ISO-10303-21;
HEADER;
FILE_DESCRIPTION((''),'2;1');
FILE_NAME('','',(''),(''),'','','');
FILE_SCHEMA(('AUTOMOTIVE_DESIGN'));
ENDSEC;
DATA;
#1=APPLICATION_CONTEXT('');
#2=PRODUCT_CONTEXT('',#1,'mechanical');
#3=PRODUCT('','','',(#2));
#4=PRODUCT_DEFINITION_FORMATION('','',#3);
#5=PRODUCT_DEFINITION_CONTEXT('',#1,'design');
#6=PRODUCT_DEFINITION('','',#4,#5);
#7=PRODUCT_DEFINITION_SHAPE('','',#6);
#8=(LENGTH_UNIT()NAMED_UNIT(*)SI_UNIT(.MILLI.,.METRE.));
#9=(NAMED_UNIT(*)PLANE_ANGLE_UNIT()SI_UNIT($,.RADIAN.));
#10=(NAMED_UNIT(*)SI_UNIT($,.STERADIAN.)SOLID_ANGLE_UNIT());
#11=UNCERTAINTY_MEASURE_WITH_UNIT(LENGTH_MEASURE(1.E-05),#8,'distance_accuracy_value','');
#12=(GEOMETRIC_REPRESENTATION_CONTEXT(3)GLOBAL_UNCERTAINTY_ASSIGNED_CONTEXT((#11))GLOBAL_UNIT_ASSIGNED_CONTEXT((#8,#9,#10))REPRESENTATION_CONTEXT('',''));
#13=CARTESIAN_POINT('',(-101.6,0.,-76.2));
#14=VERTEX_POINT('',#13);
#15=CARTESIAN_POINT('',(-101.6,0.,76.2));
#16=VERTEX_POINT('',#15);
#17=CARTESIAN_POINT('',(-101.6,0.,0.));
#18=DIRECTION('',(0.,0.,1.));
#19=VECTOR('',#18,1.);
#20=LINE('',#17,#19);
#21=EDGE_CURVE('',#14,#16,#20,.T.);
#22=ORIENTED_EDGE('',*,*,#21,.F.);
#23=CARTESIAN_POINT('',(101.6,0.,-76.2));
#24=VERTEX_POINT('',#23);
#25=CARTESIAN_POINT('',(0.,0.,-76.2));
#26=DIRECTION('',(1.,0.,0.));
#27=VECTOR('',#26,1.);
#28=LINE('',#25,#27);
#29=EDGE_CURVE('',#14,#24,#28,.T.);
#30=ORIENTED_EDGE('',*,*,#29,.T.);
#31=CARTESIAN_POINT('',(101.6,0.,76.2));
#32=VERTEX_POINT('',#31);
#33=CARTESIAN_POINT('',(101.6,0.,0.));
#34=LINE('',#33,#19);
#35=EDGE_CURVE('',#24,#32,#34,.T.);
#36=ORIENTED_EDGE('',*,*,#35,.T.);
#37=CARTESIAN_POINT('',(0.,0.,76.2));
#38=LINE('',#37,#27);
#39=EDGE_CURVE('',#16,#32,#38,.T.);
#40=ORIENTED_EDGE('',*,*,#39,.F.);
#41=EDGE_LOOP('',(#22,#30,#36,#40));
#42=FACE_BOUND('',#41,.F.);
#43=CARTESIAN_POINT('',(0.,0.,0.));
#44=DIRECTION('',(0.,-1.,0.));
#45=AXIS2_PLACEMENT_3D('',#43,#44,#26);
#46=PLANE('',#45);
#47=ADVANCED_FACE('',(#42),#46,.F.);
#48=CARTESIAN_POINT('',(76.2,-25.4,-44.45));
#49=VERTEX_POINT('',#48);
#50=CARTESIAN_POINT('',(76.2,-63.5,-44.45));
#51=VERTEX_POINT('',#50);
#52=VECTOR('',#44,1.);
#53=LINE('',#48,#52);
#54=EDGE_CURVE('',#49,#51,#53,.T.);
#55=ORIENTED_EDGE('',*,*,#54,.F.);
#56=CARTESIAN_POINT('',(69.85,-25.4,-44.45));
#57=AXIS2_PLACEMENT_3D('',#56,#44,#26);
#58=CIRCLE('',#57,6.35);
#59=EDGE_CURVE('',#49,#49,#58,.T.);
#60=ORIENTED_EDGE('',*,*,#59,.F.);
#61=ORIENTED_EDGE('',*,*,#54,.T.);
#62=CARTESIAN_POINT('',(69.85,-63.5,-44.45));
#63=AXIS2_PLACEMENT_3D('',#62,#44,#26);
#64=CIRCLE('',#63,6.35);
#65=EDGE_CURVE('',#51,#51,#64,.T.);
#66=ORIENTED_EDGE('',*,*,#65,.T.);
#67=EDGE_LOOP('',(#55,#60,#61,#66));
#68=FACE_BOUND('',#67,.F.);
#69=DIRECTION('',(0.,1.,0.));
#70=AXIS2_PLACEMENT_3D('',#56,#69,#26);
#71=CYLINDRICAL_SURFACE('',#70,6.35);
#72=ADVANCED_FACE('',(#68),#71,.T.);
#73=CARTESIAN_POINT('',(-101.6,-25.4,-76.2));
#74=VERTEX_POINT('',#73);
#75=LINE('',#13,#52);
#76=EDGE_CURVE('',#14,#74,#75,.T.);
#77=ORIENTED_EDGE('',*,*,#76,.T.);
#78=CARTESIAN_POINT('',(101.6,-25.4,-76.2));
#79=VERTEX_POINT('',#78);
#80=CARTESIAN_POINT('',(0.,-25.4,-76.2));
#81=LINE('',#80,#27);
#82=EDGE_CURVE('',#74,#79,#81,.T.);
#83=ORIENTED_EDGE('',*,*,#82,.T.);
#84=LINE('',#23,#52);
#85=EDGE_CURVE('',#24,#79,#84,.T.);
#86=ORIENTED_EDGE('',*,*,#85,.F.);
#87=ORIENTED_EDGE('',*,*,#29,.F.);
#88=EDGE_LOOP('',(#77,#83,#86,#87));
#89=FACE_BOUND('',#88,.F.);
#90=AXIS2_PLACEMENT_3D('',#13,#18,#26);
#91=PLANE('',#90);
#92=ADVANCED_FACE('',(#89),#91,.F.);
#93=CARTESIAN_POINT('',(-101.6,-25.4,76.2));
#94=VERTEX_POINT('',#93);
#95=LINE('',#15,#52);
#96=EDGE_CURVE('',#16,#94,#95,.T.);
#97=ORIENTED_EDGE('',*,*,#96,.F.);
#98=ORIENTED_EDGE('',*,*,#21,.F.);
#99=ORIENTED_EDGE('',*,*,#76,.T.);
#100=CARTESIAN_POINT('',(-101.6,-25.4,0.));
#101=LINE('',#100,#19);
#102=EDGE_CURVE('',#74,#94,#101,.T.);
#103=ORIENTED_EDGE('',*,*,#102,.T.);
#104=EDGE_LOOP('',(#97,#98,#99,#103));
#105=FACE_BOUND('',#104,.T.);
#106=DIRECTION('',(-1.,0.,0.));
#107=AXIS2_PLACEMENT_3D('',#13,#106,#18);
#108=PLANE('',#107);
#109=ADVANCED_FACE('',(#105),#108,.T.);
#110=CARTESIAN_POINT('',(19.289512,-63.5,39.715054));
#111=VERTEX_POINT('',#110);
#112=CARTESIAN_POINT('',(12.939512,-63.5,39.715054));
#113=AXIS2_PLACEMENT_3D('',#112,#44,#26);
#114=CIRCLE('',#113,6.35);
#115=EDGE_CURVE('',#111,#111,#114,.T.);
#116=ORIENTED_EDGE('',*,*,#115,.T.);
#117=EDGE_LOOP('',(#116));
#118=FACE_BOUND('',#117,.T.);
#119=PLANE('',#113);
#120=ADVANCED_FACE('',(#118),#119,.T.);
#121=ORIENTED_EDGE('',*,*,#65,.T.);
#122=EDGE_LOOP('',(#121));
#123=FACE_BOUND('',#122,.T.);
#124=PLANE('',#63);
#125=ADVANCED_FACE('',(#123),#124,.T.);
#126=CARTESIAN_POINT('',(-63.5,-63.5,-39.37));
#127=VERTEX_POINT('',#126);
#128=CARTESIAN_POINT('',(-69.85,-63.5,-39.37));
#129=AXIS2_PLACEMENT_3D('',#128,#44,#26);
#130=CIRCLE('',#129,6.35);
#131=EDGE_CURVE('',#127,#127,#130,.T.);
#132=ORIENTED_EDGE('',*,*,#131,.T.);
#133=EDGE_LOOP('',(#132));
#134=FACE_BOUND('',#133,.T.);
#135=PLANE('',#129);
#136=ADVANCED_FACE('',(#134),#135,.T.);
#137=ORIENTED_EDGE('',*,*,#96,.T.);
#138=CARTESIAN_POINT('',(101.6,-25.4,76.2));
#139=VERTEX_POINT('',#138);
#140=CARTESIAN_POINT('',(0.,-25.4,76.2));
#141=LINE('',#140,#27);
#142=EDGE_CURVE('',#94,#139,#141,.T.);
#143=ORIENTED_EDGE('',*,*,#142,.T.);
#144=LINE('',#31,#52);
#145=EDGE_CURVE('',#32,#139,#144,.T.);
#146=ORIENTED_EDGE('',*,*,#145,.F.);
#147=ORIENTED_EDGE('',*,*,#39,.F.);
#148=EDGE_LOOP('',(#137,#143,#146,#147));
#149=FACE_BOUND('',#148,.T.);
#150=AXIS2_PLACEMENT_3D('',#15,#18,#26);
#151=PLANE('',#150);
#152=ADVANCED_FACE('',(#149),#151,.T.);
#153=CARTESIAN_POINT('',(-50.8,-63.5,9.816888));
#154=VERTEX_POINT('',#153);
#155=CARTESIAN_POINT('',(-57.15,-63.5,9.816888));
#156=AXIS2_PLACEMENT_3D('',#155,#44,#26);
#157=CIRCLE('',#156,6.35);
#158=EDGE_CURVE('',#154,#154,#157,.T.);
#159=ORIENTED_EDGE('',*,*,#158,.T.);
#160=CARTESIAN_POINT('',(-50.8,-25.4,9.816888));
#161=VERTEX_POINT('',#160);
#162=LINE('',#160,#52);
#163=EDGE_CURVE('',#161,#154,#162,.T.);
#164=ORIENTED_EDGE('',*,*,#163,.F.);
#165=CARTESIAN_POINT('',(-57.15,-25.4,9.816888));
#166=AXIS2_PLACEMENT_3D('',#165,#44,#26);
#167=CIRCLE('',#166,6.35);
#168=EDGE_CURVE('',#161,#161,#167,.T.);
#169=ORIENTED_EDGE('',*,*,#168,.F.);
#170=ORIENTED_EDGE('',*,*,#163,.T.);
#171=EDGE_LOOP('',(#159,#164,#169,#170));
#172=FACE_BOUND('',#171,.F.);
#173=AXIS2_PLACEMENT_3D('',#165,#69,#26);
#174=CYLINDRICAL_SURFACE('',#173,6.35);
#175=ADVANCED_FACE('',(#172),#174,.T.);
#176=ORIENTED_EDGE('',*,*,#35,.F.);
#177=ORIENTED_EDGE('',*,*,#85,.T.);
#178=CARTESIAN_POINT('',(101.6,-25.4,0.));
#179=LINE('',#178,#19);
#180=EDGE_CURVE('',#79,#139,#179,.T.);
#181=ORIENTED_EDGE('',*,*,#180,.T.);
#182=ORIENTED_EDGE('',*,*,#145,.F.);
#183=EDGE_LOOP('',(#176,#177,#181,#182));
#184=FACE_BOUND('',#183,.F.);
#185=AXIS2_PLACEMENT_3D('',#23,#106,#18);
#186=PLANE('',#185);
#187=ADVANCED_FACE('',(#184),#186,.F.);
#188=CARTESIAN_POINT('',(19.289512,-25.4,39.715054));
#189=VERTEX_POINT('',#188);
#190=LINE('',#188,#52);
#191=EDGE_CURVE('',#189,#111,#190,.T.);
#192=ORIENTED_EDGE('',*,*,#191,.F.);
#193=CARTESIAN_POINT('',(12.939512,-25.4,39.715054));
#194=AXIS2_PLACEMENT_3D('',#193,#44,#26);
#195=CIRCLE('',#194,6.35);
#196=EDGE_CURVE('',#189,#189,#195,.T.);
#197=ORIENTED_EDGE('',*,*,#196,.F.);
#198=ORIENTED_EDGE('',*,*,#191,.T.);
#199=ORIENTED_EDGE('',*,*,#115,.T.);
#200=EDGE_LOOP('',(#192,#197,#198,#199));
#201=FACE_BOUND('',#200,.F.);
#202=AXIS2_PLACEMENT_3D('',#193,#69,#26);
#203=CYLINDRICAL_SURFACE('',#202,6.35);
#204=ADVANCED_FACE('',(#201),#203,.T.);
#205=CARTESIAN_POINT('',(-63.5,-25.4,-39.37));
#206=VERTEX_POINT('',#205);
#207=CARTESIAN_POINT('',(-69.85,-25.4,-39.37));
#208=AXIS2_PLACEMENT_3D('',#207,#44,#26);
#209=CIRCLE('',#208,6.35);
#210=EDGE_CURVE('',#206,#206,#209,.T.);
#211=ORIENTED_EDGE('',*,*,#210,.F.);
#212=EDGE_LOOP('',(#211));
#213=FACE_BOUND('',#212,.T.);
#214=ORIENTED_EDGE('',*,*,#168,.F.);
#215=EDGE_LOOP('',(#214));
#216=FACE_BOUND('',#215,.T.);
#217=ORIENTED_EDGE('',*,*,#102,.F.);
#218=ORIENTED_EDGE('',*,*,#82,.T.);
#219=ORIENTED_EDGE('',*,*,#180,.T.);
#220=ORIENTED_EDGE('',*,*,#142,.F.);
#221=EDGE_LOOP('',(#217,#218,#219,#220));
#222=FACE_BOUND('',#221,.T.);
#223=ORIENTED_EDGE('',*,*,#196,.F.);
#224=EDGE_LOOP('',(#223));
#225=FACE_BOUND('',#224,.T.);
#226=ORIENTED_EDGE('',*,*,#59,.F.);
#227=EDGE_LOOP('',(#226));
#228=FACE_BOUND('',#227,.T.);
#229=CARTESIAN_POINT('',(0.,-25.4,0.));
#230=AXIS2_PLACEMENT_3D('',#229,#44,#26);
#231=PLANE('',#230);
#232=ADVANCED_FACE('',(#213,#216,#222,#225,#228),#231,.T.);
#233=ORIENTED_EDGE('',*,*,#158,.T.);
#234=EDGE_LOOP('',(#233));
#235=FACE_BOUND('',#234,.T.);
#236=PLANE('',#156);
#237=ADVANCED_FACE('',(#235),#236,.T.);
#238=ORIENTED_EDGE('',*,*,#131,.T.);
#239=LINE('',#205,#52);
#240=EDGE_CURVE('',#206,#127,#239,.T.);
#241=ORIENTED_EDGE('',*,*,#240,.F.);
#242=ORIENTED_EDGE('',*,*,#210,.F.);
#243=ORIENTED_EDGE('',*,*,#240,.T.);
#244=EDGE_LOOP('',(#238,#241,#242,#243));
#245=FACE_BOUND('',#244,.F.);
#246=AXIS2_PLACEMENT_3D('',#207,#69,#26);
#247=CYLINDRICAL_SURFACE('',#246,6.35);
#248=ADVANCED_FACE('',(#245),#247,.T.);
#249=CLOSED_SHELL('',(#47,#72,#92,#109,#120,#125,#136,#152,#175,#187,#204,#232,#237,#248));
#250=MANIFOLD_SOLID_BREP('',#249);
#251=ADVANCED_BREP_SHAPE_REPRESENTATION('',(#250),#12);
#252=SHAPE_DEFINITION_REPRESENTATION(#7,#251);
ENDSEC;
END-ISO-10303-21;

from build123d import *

# Parameters (mm, degrees)
F0_W     = 203.2
F0_H     = 152.4
F1_DEPTH = 25.4
F2_R     = 6.35
F3_DEPTH = 38.1


with BuildPart() as f1:
    # F0 (on Front) → F1 (new body)
    with BuildSketch(Plane.XZ):
        Rectangle(F0_W, F0_H)
    extrude(amount=F1_DEPTH)

    # F2 (on face) → F3 (join)
    with BuildSketch(Plane.XZ.offset(25.4)):
        with Locations((12.939512, 39.715054)):
            Circle(F2_R)
        with Locations((-57.15, 9.816888)):
            Circle(F2_R)
        with Locations((-69.85, -39.37)):
            Circle(F2_R)
        with Locations((69.85, -44.45)):
            Circle(F2_R)
    extrude(amount=F3_DEPTH)


solid = f1.part
